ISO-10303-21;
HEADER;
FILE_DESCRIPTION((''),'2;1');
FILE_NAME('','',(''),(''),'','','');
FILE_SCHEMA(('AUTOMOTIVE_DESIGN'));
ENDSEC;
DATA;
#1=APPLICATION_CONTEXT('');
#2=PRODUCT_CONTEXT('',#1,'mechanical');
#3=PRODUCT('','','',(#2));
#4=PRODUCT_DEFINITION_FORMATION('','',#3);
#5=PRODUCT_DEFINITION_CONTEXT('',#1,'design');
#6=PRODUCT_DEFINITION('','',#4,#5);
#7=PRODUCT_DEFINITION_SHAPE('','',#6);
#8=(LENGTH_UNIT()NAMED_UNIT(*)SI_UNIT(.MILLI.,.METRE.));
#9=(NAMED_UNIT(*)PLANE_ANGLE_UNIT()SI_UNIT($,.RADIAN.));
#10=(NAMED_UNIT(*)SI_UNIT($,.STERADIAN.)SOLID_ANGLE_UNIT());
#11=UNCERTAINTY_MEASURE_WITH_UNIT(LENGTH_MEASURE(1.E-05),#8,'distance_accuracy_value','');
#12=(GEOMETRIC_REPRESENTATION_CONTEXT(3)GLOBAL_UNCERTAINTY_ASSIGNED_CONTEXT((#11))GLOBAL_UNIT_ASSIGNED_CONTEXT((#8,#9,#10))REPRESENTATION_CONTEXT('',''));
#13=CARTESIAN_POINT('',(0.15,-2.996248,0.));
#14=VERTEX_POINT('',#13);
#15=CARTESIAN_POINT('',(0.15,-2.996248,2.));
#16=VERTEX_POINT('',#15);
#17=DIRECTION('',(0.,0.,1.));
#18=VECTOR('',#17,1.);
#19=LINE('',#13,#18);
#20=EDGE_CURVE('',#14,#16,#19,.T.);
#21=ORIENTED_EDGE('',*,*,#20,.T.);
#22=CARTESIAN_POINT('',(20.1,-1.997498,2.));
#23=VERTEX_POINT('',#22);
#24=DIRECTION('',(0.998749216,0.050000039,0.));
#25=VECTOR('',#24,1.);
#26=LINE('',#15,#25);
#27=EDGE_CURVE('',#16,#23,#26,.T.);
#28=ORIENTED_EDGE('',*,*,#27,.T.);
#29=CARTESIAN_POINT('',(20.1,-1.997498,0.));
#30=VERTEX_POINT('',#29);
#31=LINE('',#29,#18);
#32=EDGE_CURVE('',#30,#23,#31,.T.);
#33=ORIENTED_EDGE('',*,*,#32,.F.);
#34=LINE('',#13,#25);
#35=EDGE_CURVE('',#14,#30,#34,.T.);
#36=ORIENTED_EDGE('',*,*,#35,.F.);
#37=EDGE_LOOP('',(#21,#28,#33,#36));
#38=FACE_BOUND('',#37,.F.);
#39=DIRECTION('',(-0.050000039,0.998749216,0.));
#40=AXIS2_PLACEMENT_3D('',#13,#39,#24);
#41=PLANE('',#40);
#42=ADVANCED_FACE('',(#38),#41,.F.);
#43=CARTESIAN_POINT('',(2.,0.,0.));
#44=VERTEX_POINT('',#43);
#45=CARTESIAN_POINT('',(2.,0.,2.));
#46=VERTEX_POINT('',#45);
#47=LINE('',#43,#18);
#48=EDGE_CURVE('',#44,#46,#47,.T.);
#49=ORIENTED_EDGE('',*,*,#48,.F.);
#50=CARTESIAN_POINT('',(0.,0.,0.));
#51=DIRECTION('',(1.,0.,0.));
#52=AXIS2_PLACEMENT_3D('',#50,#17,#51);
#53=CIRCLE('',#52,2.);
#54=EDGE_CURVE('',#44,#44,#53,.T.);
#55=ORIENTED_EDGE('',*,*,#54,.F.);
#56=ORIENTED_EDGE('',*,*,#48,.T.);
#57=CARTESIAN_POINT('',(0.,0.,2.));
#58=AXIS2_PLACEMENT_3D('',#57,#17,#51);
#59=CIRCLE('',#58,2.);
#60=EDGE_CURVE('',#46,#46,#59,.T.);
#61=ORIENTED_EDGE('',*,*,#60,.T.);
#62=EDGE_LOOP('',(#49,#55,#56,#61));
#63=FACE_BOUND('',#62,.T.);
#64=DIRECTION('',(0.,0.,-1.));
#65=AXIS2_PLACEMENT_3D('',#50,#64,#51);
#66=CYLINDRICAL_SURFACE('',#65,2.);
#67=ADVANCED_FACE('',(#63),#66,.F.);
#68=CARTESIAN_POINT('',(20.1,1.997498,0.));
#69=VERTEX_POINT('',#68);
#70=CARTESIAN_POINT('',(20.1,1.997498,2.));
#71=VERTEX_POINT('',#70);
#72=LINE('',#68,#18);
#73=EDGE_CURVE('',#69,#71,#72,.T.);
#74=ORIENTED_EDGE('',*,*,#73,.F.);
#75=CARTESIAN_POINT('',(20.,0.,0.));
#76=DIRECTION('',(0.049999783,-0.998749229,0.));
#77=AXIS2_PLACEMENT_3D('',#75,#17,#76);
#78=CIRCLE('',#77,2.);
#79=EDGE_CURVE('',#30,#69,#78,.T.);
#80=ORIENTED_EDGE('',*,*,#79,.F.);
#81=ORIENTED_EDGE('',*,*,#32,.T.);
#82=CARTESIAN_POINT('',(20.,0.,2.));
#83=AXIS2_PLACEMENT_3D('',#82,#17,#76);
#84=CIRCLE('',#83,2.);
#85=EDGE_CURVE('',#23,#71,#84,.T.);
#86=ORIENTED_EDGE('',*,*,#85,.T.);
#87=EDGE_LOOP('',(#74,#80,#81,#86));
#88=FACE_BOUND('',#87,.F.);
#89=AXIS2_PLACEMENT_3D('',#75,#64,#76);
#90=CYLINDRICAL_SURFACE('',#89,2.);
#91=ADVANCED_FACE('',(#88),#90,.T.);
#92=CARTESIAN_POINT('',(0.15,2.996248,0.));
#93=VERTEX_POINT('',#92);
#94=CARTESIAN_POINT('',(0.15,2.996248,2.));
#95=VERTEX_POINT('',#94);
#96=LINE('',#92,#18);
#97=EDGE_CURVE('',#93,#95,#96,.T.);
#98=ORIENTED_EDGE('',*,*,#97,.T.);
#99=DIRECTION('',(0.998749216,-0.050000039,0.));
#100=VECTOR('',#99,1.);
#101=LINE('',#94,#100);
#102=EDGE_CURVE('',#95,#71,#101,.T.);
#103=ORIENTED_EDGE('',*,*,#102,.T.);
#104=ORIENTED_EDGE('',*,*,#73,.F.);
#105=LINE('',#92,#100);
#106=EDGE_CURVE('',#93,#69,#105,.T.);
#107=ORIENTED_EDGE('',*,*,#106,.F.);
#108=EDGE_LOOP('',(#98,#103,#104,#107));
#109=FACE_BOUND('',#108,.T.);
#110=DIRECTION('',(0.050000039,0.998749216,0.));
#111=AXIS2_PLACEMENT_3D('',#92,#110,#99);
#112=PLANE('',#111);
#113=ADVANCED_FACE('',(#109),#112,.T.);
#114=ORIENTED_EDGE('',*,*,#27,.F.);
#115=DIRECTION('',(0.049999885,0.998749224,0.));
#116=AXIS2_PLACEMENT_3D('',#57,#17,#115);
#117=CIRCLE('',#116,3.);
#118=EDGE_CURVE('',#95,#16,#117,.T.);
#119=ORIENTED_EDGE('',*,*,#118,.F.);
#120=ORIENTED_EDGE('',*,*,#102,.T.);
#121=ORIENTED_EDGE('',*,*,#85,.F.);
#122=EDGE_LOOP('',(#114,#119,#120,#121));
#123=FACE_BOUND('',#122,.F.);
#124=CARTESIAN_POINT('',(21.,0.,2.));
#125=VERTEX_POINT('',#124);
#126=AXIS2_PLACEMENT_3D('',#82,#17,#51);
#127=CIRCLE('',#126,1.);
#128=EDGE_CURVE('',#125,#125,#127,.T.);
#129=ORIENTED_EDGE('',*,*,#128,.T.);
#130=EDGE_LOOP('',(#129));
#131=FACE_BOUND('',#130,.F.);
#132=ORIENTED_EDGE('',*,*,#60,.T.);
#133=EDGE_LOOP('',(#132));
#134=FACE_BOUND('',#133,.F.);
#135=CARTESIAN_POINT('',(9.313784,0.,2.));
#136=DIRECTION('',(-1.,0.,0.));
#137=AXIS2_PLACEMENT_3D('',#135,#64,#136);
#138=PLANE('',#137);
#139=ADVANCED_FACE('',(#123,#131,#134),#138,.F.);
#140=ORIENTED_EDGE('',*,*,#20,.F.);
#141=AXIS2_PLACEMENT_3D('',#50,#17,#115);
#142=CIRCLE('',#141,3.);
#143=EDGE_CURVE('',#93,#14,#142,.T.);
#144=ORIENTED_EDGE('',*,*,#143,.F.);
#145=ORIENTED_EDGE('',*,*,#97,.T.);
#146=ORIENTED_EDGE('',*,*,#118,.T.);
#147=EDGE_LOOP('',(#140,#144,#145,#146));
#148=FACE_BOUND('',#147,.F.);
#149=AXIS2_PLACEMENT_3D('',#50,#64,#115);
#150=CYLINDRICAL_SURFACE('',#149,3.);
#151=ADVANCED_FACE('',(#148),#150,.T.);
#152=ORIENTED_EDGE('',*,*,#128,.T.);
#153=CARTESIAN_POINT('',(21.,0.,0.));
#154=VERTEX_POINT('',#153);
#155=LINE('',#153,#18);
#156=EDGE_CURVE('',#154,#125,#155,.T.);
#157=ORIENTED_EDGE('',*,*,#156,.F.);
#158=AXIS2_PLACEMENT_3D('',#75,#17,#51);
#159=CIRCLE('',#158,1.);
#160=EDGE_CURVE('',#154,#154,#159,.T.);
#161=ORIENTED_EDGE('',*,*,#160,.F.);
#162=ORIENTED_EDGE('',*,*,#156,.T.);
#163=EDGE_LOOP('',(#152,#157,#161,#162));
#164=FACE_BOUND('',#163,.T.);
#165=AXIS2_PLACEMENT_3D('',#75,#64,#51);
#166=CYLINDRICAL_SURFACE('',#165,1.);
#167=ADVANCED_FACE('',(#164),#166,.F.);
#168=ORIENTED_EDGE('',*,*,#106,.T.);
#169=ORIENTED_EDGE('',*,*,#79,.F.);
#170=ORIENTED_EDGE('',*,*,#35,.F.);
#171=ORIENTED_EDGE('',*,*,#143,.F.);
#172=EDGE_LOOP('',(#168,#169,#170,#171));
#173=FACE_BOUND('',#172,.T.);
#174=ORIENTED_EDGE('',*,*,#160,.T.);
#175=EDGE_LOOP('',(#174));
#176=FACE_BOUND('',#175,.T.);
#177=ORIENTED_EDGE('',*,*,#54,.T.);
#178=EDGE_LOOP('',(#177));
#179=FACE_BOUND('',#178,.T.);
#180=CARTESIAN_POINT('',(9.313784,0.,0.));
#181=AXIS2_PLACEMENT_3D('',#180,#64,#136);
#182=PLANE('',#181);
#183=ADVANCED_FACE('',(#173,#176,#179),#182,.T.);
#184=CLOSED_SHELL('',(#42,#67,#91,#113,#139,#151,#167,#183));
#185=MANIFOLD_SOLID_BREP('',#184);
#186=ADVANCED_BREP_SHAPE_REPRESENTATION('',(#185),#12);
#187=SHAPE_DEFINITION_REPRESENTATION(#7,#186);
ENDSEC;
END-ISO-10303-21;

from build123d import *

# Parameters (mm, degrees)
SKETCH_R   = 2
SKETCH_R_2 = 1
PAD_DEPTH  = 2


with BuildPart() as part:
    # Sketch → Pad (new body)
    with BuildSketch(Plane.XY):
        with BuildLine():
            Line((0.15, 2.996248), (20.1, 1.997498))
            ThreePointArc((20.1, -1.997498), (22, 0), (20.1, 1.997498))
            Line((0.15, -2.996248), (20.1, -1.997498))
            ThreePointArc((0.15, 2.996248), (-3, 0), (0.15, -2.996248))
        make_face()
        Circle(SKETCH_R, mode=Mode.SUBTRACT)
        with Locations((20, 0)):
            Circle(SKETCH_R_2, mode=Mode.SUBTRACT)
    extrude(amount=PAD_DEPTH)


solid = part.part
